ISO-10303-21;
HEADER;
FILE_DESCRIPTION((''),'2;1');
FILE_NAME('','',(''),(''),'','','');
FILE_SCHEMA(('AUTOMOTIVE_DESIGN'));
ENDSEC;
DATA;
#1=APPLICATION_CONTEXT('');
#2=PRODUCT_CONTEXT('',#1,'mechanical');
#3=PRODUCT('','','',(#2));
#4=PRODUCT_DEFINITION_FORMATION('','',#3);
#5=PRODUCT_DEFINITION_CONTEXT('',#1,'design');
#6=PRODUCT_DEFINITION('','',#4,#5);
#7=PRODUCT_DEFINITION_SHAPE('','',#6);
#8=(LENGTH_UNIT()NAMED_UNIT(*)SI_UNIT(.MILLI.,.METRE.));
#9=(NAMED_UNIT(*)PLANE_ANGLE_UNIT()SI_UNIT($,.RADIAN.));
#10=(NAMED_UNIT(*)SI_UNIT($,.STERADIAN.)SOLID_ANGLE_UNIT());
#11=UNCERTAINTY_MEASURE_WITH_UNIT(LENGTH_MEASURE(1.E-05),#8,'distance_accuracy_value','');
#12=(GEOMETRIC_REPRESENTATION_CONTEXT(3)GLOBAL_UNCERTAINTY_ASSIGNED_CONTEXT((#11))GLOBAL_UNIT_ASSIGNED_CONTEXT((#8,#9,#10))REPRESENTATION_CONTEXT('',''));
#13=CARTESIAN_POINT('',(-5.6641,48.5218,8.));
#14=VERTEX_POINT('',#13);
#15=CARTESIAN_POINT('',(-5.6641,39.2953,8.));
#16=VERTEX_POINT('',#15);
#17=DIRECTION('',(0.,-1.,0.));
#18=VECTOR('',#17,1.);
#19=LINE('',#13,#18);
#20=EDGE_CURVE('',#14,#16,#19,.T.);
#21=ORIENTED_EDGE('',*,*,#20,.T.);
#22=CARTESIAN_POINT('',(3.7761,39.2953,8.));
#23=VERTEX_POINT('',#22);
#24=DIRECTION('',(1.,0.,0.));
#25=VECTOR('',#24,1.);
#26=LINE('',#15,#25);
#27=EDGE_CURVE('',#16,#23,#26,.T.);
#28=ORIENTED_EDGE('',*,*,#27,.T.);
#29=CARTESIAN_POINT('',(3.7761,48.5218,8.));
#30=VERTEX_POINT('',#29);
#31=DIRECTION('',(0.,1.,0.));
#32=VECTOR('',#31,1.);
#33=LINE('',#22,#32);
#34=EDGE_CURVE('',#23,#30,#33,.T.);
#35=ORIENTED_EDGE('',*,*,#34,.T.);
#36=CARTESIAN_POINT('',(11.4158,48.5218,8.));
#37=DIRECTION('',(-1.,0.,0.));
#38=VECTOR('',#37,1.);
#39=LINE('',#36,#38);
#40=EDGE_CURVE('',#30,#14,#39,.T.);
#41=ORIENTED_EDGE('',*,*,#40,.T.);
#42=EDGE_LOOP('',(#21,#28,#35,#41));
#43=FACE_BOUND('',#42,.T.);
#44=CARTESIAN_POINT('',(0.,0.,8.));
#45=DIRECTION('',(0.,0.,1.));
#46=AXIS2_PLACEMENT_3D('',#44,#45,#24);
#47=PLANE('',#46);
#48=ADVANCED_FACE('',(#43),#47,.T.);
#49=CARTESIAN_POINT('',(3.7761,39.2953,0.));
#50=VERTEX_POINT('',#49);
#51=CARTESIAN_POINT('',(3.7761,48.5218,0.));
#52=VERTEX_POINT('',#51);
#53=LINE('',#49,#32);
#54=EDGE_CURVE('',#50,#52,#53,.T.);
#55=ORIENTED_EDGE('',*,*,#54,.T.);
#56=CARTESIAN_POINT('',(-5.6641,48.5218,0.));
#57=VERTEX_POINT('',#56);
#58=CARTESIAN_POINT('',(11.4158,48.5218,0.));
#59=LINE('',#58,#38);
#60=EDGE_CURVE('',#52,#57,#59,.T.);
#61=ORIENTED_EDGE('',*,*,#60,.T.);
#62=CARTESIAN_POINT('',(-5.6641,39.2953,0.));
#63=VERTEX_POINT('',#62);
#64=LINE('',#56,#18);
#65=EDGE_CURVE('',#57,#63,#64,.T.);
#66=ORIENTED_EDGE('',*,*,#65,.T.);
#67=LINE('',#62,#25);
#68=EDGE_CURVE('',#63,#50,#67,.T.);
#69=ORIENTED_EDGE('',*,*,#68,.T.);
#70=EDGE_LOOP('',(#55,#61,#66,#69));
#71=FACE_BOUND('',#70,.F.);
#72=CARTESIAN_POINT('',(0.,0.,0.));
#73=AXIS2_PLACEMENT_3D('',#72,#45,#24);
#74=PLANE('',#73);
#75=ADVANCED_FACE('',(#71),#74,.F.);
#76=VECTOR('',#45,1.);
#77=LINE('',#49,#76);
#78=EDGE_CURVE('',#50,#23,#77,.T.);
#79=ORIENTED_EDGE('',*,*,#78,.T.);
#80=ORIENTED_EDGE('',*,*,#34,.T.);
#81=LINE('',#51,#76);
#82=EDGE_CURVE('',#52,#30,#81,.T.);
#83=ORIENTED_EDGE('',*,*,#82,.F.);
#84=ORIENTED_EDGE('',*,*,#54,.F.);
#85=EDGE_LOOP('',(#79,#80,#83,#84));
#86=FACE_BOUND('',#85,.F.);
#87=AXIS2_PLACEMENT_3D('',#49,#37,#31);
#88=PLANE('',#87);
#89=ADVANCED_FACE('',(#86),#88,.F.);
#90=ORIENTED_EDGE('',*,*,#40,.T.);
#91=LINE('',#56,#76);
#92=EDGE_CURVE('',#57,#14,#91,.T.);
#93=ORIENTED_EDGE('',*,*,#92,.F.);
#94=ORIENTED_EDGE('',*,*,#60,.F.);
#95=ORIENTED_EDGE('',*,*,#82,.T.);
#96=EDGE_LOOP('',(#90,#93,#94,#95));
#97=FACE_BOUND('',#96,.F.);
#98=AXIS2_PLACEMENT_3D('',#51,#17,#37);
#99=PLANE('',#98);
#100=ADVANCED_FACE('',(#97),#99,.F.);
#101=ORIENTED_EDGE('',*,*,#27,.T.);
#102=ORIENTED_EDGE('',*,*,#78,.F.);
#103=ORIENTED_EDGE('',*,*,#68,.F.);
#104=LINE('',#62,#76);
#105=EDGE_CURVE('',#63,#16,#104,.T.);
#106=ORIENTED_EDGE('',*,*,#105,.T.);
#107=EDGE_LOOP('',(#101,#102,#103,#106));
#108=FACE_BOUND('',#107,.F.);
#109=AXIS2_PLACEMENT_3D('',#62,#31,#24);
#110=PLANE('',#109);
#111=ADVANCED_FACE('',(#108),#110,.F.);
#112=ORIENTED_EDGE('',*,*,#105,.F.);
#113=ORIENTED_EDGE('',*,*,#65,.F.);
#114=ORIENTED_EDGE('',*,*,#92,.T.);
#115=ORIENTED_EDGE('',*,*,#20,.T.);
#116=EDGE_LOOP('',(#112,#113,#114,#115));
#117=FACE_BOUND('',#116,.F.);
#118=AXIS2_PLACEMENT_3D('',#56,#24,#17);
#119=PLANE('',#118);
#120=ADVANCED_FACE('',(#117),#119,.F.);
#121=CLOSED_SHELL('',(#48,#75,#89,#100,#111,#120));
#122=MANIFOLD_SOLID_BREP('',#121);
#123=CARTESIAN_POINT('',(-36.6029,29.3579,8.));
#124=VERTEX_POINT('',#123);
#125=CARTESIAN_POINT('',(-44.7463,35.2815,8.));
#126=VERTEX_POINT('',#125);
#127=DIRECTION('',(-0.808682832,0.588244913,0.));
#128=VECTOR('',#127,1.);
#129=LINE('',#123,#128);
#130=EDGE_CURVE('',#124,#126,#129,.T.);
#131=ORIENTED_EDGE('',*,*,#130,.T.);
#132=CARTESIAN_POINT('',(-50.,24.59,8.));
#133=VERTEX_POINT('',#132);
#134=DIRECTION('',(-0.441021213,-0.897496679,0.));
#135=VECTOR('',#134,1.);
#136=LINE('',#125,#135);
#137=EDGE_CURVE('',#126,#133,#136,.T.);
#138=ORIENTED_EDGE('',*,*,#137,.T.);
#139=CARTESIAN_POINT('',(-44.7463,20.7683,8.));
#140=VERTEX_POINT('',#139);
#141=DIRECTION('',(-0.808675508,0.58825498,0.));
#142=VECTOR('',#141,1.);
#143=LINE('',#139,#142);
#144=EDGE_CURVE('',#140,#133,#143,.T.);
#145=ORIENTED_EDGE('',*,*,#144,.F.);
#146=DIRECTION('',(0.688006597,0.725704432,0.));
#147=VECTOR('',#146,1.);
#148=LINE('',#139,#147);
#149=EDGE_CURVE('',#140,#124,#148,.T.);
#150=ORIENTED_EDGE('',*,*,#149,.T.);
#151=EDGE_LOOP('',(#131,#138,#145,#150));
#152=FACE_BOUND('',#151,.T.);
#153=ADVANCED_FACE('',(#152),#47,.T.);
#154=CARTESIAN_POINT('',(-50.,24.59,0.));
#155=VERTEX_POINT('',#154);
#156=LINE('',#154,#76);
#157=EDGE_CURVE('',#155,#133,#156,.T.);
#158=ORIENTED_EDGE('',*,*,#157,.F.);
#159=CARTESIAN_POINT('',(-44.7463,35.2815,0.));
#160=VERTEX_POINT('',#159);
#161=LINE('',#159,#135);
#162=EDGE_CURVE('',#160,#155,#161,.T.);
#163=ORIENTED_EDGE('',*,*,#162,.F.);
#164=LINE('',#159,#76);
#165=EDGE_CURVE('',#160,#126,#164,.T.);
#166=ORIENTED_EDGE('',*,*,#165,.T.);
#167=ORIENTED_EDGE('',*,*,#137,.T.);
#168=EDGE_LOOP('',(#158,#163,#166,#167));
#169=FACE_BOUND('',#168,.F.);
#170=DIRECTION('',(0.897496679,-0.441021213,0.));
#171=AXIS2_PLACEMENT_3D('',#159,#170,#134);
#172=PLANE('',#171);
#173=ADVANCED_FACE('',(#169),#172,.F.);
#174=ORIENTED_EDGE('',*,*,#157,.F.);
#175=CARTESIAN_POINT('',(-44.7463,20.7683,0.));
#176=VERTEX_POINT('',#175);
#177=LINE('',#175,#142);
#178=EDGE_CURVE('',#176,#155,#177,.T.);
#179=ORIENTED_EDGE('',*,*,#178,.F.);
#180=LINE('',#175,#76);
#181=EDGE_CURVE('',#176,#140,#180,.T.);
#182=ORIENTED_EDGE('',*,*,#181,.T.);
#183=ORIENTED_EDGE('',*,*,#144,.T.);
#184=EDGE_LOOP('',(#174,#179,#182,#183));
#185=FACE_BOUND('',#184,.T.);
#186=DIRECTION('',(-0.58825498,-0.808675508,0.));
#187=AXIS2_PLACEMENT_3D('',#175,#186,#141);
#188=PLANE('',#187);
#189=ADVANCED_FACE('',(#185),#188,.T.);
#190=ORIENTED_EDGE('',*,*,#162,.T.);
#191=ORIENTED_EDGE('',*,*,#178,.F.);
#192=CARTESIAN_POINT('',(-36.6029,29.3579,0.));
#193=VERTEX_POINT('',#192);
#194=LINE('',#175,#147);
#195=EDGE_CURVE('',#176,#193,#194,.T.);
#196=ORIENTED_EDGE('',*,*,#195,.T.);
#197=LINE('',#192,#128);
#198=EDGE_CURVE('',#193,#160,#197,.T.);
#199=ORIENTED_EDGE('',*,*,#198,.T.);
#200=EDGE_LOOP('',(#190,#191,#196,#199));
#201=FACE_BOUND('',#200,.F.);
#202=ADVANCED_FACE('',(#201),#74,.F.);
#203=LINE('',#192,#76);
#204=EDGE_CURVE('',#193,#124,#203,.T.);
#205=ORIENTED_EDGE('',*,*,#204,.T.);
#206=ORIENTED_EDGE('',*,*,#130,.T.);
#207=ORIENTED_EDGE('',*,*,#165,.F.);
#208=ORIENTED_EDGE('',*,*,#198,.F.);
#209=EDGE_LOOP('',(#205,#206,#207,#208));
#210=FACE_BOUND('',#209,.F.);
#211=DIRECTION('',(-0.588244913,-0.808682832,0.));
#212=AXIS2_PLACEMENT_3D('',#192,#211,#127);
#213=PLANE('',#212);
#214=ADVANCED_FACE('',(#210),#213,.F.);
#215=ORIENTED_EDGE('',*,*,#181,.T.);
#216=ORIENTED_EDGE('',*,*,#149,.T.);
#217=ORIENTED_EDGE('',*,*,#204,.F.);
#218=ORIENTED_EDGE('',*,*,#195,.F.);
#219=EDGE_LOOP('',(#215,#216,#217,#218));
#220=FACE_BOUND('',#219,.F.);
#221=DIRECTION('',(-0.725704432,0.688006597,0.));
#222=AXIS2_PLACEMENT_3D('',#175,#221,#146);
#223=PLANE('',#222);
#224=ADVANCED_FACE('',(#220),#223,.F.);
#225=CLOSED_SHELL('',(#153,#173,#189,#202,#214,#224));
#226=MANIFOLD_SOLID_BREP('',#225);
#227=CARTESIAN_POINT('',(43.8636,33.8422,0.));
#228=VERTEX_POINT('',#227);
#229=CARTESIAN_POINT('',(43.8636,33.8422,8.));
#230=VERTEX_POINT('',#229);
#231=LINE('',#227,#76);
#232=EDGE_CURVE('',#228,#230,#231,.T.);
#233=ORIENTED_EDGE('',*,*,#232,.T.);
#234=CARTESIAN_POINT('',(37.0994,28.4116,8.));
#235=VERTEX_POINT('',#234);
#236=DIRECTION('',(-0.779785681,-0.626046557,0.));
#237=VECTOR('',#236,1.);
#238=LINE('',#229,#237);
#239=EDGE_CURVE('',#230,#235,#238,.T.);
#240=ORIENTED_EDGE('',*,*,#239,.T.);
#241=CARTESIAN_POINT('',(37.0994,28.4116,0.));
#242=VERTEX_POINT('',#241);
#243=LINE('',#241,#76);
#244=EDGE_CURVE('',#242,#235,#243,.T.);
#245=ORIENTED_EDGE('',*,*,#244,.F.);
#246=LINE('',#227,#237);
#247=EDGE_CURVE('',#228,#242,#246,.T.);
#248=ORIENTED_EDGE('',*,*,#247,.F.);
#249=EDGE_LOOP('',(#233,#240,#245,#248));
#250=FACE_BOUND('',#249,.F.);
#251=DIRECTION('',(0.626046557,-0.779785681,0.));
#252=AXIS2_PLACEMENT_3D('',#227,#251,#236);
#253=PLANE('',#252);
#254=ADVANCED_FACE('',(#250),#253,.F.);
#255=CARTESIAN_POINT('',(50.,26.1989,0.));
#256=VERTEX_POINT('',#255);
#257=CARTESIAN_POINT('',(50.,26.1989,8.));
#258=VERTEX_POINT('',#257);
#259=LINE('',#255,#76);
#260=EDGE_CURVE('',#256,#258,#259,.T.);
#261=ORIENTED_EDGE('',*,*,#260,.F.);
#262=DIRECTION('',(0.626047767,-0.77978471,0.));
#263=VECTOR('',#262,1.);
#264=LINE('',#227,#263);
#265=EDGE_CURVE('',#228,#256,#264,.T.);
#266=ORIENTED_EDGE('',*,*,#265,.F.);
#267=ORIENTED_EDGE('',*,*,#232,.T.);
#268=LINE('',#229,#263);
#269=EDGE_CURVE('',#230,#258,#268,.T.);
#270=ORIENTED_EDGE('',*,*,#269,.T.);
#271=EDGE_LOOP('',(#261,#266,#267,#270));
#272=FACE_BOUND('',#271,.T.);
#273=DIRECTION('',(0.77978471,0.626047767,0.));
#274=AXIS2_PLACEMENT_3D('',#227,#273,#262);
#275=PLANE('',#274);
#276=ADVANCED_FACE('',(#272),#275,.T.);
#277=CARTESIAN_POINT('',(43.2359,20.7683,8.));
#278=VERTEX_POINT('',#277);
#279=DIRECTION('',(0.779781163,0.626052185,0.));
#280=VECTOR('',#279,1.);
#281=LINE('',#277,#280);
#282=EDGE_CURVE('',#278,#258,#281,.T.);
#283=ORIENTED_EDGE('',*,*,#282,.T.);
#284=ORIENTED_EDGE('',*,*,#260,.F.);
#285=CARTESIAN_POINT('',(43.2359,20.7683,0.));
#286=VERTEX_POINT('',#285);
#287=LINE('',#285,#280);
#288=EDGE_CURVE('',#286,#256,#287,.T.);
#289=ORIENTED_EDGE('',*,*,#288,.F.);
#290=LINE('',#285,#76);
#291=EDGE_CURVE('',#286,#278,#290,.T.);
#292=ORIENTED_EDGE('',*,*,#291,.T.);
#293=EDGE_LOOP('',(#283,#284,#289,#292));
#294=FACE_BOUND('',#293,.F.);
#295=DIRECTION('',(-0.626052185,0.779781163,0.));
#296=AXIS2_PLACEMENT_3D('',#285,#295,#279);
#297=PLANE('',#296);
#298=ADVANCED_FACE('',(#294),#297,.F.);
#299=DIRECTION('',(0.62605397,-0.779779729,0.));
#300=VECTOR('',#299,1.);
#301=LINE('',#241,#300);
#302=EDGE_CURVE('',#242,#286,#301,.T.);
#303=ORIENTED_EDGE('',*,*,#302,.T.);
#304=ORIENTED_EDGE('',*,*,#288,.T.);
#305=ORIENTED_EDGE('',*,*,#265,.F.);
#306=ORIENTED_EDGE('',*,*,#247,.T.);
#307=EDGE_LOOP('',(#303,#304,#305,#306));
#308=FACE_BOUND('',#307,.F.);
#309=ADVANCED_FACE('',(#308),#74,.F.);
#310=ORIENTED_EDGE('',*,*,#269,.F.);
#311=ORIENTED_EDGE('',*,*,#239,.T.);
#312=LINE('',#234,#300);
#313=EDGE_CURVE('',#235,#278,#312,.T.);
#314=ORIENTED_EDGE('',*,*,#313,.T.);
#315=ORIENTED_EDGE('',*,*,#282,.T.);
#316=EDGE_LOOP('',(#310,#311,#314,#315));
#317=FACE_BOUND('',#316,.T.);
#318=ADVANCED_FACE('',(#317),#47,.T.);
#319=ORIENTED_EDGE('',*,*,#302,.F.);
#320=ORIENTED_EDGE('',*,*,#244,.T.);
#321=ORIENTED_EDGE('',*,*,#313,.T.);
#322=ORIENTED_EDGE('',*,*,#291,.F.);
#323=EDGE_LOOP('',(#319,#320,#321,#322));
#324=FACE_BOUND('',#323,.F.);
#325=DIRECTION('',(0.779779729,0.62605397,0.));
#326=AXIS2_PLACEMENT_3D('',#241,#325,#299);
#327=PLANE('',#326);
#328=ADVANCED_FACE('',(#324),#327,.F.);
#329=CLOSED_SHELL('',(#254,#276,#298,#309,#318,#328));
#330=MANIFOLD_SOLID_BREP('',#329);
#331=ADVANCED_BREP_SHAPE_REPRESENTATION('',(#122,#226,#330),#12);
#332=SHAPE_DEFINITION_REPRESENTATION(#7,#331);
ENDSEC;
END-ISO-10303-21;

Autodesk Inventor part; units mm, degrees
ref_plane "YZ Plane" through (0, 0, 0) normal (1, 0, 0) x (0, 1, 0)
ref_plane "XZ Plane" through (0, 0, 0) normal (0, 1, 0) x (-1, 0, 0)
ref_plane "XY Plane" through (0, 0, 0) normal (0, 0, 1) x (1, 0, 0)
sketch "Sketch1" plane through (0, 0, 0) normal (0, 0, 1) x (1, 0, 0)
  line L0 (25, -7) -> (50, -7) projected
  line L1 (50, 45.5218) -> (50, -7) projected
  line L2 (50, 45.5218) -> (11.4158, 45.5218) projected
  line L3 (11.4158, 45.5218) -> (11.4158, 48.5218) projected
  line L4 (11.4158, 48.5218) -> (-11.4158, 48.5218) projected
  line L5 (-11.4158, 48.5218) -> (-11.4158, 45.5218) projected
  line L6 (-11.4158, 45.5218) -> (-50, 45.5218) projected
  line L7 (-50, 45.5218) -> (-50, -7) projected
  line L8 (-50, -7) -> (-25, -7) projected
  line L9 (-25, -7) -> (-25, -24) projected
  line L10 (-25, -24) -> (-32.4371, -24) projected
  line L11 (-32.4371, -24) -> (-32.4371, -28) projected
  line L12 (-32.4371, -28) -> (-25, -28) projected
  line L13 (-25, -28) -> (-25, -35) projected
  line L14 (-25, -35) -> (25, -35) projected
  line L15 (25, -35) -> (25, -28) projected
  line L16 (25, -28) -> (30.7079, -28) projected
  line L17 (30.7079, -28) -> (30.7079, -24) projected
  line L18 (30.7079, -24) -> (25, -24) projected
  line L19 (25, -24) -> (25, -7) projected
  circle A0 centre (-11.4158, 26.1989) radius 1.6 projected
  circle A1 centre (20.9961, 37.6953) radius 1.6 projected
  circle A2 centre (-20.9961, 37.6953) radius 1.6 projected
  circle A3 centre (11.4158, 26.1989) radius 1.6 projected
  line L20 (3.7761, 48.5218) -> (-5.6641, 48.5218)
  line L21 (-5.6641, 48.5218) -> (-5.6641, 39.2953)
  line L22 (-5.6641, 39.2953) -> (3.7761, 39.2953)
  line L23 (3.7761, 39.2953) -> (3.7761, 48.5218)
  line L24 (50, -35) -> (50, 20.7683) projected
  line L25 (50, 20.7683) -> (-50, 20.7683) projected
  line L26 (-50, 20.7683) -> (-50, -35) projected
  line L27 (-50, -35) -> (50, -35) projected
  line L28 (43.2359, 20.7683) -> (50, 26.1989)
  line L29 (43.8636, 33.8422) -> (50, 26.1989)
  line L30 (43.8636, 33.8422) -> (37.0994, 28.4116)
  line L31 (37.0994, 28.4116) -> (43.2359, 20.7683)
  line L32 (-44.7463, 20.7683) -> (-36.6029, 29.3579)
  line L33 (-36.6029, 29.3579) -> (-44.7463, 35.2815)
  line L34 (-44.7463, 35.2815) -> (-50, 24.59)
  line L35 (-44.7463, 20.7683) -> (-50, 24.59)
  point P0 (0, 0)
extrude "Extrusion1" add sketch "Sketch1" along normal blind 8 contours L28 L31 L30 L29 | L35 L34 L33 L32 | L23 L22 L21 L4
properties material "PET Plastic"
